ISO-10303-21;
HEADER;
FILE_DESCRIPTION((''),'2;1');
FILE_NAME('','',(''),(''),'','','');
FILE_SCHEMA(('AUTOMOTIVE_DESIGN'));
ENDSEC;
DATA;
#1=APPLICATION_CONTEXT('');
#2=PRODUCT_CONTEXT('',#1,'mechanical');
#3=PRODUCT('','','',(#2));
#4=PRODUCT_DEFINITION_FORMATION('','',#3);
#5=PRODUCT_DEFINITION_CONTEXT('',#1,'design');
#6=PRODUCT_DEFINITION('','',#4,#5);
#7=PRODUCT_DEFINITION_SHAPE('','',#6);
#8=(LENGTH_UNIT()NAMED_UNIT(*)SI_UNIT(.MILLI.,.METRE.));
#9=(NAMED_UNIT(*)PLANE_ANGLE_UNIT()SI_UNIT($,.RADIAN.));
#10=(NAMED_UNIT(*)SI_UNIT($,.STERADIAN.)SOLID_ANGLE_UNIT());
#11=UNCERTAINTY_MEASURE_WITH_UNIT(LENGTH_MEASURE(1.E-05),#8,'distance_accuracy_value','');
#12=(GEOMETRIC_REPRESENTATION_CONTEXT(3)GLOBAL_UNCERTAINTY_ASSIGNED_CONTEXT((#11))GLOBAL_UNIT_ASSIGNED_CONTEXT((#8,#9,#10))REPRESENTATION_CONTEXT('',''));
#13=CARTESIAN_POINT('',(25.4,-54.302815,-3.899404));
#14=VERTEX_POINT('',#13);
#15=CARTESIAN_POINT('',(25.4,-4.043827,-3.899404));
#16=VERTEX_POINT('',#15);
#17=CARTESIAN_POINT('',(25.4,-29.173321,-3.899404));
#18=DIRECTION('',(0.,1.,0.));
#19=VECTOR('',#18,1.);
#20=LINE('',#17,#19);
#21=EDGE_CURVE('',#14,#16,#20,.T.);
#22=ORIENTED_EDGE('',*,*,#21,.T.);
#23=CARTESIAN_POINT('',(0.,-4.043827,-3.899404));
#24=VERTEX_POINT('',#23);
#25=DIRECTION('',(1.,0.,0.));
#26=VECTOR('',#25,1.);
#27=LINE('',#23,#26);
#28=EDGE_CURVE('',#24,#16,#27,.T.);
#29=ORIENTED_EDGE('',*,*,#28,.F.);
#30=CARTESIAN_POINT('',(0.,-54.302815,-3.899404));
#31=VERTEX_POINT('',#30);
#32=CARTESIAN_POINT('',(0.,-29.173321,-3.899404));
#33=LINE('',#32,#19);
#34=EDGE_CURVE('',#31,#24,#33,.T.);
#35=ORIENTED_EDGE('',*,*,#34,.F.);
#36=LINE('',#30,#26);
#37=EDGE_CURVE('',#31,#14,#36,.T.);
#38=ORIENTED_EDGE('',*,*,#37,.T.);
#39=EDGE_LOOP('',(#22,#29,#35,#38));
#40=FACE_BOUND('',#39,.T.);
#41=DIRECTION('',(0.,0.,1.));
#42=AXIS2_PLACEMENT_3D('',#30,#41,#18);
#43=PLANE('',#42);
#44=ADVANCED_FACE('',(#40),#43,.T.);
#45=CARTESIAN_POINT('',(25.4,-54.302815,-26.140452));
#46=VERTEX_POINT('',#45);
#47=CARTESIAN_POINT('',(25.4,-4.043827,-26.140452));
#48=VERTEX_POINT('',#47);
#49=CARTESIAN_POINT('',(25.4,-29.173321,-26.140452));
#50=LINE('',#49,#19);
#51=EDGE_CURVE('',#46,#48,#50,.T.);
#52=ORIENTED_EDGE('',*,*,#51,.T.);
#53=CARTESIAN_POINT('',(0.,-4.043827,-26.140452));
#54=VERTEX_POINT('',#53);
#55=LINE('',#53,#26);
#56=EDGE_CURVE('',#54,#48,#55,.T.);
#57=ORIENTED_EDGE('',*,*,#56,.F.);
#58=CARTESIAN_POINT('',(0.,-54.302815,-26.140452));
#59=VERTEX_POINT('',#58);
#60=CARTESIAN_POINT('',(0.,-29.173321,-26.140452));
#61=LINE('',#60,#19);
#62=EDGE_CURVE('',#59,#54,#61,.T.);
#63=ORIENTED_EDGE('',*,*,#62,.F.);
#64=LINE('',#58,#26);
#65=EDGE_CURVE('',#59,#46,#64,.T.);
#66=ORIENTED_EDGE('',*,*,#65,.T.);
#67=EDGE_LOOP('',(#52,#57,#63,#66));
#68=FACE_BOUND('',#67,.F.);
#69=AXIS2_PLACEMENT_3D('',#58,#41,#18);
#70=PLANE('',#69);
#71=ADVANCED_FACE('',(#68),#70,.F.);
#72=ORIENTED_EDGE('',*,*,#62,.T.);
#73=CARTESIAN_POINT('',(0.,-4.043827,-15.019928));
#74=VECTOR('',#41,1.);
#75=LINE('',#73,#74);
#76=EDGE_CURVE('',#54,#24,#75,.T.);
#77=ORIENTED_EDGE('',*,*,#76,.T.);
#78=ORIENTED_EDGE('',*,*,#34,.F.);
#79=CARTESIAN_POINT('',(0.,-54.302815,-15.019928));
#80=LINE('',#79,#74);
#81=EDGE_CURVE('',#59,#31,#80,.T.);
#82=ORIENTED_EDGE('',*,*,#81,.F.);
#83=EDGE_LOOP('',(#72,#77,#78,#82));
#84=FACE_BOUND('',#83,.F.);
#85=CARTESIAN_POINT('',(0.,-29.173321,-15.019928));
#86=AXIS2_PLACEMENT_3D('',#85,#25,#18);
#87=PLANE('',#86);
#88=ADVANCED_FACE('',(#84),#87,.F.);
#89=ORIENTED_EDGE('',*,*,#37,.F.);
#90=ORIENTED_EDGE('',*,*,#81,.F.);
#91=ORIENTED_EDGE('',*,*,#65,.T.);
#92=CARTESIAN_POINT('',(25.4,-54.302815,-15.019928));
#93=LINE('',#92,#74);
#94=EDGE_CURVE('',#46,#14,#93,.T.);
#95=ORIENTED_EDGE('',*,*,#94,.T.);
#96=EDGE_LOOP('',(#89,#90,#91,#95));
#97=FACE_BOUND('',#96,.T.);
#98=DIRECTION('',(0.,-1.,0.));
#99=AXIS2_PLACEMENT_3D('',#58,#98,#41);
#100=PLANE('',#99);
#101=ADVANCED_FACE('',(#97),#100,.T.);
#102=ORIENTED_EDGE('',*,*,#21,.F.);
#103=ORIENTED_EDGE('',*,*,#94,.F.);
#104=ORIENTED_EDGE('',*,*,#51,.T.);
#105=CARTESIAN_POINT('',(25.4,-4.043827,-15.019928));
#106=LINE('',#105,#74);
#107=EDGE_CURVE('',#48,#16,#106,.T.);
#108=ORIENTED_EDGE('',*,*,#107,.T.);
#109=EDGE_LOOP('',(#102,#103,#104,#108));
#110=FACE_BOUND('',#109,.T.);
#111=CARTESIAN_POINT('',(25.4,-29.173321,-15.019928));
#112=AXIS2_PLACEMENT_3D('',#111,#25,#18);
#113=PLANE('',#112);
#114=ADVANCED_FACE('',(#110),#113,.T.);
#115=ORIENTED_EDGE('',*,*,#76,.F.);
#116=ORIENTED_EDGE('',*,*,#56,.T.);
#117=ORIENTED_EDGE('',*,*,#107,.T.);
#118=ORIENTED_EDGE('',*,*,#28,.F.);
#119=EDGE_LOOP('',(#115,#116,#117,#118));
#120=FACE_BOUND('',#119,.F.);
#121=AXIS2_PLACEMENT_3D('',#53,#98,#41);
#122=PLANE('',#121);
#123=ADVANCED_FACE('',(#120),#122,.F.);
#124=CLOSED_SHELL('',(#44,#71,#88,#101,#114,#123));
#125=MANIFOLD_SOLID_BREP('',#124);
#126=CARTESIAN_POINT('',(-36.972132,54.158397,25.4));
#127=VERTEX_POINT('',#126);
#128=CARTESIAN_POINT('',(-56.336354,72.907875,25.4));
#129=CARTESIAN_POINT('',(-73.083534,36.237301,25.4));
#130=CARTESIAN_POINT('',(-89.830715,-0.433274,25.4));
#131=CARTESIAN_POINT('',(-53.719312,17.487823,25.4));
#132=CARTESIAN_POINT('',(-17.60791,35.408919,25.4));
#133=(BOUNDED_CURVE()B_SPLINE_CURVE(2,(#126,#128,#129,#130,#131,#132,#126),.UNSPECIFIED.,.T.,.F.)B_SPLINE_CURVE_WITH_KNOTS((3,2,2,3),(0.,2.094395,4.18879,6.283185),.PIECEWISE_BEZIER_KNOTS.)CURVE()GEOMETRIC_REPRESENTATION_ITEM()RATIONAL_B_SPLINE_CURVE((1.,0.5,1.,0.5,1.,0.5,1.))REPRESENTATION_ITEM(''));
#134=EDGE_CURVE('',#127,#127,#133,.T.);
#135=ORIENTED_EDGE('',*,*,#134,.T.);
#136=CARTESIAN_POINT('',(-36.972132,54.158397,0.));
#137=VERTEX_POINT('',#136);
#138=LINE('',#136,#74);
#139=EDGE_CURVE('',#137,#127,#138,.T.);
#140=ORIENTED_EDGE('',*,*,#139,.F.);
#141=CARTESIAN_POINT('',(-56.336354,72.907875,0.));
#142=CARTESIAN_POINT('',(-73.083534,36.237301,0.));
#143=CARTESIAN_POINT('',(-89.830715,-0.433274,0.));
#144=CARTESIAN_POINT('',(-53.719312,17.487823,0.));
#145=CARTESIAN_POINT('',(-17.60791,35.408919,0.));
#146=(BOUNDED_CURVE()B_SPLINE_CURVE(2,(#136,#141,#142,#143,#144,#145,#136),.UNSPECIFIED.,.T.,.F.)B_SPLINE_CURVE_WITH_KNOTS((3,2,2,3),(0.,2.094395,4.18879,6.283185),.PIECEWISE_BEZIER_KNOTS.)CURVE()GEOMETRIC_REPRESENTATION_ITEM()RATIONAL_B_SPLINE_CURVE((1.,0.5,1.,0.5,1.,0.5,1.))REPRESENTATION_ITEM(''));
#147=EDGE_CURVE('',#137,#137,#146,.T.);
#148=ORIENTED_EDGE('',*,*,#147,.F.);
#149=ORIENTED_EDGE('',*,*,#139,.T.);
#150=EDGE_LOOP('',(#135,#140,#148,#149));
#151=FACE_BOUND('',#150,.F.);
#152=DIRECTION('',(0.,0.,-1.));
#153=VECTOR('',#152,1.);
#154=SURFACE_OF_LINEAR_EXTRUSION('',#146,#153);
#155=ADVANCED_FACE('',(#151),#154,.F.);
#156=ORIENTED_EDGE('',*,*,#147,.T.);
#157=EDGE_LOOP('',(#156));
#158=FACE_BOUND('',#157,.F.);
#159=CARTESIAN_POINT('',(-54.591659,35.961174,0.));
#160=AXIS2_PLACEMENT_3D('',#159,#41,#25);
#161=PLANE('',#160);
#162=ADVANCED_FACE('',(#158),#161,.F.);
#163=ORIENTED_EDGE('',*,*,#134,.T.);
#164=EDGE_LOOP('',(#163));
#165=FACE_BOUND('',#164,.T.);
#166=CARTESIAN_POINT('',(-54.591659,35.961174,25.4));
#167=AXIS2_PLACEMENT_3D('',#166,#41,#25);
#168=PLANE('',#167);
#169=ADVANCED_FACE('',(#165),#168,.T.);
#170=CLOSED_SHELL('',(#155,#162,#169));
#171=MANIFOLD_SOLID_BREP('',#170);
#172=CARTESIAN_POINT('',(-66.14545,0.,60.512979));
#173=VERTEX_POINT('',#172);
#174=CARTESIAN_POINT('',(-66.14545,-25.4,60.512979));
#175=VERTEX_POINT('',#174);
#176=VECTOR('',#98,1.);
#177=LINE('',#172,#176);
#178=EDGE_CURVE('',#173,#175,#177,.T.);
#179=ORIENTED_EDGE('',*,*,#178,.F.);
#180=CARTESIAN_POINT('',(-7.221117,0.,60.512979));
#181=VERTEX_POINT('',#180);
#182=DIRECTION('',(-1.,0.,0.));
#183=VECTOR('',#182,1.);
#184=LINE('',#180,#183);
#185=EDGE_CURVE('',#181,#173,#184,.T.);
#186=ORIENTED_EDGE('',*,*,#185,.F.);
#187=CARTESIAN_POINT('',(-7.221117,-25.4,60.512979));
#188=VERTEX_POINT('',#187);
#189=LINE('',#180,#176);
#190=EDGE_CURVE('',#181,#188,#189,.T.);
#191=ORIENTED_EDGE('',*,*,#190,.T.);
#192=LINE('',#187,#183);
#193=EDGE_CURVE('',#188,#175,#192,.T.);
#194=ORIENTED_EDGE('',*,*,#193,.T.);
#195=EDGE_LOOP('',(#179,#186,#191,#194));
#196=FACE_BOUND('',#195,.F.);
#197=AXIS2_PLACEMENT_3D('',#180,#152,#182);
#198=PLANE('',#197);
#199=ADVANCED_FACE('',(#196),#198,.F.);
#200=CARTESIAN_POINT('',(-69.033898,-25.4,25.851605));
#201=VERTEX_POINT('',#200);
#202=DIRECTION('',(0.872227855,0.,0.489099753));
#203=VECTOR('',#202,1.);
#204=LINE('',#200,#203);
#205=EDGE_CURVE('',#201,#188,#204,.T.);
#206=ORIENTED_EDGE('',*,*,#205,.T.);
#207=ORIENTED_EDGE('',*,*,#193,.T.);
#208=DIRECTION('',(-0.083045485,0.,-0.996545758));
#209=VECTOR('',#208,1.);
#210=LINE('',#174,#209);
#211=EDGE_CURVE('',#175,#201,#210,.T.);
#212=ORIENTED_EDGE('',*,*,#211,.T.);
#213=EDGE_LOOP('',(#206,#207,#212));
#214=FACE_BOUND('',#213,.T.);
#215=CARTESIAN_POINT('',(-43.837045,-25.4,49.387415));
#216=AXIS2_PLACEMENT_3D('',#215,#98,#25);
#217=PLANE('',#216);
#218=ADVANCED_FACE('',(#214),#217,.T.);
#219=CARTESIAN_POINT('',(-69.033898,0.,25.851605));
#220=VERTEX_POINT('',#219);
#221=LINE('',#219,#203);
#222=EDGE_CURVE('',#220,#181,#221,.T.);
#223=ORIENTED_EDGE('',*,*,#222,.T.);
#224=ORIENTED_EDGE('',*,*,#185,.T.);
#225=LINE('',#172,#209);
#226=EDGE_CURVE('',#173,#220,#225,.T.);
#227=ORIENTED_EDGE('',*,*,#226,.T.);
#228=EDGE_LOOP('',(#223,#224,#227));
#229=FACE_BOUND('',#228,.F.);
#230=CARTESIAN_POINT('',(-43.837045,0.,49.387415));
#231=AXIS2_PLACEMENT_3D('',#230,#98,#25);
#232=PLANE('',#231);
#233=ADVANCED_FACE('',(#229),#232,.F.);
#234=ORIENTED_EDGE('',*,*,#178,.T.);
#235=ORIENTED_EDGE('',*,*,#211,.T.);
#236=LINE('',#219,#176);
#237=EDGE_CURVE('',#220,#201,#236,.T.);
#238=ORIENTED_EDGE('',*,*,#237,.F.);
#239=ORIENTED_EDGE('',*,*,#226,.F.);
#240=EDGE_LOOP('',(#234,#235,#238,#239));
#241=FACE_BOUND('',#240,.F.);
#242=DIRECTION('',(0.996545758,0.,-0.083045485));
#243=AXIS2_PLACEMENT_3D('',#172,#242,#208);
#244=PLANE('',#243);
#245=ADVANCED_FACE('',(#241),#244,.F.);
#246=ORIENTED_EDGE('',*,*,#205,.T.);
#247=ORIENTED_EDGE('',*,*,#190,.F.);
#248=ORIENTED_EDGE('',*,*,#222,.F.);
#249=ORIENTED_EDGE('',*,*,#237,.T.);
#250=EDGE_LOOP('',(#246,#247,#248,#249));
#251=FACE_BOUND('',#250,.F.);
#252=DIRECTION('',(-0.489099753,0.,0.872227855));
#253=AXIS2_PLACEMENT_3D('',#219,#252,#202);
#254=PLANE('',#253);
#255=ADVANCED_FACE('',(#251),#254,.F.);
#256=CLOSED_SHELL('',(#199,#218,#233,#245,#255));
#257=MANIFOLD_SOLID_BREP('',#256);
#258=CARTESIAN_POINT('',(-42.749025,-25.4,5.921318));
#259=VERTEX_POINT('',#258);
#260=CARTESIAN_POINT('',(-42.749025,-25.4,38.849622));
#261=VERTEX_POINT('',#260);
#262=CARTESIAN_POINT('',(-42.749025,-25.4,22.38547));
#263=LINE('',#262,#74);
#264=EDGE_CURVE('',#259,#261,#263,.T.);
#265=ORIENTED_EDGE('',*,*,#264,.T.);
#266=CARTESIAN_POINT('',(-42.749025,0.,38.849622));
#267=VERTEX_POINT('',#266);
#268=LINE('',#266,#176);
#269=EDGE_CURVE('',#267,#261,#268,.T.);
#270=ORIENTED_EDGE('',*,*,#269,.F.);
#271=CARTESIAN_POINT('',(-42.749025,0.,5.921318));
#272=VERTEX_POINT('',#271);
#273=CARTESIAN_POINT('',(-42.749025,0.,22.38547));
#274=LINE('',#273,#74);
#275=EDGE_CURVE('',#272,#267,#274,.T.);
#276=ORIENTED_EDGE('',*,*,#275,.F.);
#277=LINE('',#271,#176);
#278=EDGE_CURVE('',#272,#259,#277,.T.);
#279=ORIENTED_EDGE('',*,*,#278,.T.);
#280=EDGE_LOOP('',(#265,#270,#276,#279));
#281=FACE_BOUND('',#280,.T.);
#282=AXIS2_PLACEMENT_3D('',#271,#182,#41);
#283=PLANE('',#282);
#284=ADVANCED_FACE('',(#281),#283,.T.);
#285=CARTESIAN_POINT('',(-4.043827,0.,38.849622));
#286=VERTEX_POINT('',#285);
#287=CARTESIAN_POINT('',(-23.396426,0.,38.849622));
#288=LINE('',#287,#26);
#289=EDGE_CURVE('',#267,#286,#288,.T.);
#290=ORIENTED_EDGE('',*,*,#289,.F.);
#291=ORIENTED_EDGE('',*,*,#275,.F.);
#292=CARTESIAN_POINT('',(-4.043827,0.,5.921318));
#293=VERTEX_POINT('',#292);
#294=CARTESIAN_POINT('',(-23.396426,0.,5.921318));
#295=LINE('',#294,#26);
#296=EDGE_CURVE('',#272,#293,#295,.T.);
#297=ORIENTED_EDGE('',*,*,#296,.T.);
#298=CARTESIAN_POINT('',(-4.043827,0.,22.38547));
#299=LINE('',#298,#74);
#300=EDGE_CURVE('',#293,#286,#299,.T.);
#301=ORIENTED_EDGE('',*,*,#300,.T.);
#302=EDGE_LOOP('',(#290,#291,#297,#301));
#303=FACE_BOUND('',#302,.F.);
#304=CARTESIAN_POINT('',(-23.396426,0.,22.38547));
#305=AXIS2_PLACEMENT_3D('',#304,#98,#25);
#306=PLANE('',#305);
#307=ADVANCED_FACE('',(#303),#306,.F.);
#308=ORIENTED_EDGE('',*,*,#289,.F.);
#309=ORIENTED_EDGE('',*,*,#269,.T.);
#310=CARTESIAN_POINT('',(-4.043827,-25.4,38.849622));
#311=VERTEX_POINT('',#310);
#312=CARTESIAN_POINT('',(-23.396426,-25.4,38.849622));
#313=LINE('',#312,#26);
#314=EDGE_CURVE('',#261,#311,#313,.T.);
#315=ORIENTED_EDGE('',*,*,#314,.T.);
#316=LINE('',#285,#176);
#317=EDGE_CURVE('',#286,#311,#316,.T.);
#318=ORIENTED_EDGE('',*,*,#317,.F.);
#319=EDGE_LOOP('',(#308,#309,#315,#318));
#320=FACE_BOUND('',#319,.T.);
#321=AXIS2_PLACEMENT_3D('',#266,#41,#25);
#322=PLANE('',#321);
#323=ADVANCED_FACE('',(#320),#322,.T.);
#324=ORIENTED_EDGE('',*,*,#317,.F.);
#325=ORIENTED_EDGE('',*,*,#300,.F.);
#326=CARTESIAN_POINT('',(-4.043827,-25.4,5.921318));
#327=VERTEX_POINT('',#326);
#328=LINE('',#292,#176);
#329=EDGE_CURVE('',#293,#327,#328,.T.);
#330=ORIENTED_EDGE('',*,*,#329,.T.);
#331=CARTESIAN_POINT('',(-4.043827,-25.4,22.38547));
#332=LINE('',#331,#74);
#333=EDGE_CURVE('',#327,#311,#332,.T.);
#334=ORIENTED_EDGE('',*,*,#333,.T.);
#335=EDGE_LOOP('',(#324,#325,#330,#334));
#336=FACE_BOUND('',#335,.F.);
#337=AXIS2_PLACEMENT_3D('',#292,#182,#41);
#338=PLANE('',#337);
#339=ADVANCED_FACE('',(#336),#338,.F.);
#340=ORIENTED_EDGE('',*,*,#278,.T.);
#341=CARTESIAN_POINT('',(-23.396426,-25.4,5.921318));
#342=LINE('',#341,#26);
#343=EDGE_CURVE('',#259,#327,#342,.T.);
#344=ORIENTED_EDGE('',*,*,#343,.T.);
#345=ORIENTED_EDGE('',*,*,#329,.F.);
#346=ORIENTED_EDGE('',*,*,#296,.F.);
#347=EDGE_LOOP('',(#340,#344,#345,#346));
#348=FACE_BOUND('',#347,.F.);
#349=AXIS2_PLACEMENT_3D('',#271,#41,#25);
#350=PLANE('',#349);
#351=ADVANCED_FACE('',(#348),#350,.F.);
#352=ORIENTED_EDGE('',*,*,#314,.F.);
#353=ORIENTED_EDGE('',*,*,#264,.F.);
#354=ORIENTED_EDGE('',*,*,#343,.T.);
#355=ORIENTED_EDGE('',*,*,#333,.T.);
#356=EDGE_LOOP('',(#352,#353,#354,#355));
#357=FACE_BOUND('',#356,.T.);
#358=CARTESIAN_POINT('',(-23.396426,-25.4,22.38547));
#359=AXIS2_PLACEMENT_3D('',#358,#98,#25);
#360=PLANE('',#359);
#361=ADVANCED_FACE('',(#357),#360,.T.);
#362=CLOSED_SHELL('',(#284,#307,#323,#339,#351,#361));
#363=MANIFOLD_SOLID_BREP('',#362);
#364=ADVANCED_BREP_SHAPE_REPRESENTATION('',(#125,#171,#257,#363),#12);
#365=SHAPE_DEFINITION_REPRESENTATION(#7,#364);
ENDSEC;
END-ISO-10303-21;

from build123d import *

# Parameters (mm, degrees)
F0_W     = 38.705198
F0_H     = 32.928304
F2_DEPTH = 25.4
F3_DEPTH = 25.4
F4_W     = 50.258988
F4_H     = 22.241049
F5_DEPTH = 25.4
F7_DEPTH = 25.4


with BuildPart() as f2:
    # F0 (on Front) → F2 (new body)
    with BuildSketch(Plane.XZ):
        with Locations((-23.396426, 22.38547)):
            Rectangle(F0_W, F0_H)
    extrude(amount=F2_DEPTH)


with BuildPart() as f3:
    # F1 (on Front) → F3 (new body)
    with BuildSketch(Plane.XZ):
        Polygon((-66.14545, 60.512979), (-69.033898, 25.851605), (-7.221117, 60.512979), align=None)
    extrude(amount=F3_DEPTH)


with BuildPart() as f5:
    # F4 (on Right) → F5 (new body)
    with BuildSketch(Plane.YZ):
        with Locations((-29.173321, -15.019928)):
            Rectangle(F4_W, F4_H)
    extrude(amount=F5_DEPTH)


with BuildPart() as f7:
    # F6 (on Top) → F7 (new body)
    with BuildSketch(Plane.XY):
        with BuildLine():
            add(Edge.make_bspline(
                [(-36.972132, 54.158397), (-56.336354, 72.907875), (-73.083534, 36.237301), (-89.830715, -0.433274), (-53.719312, 17.487823), (-17.60791, 35.408919), (-36.972132, 54.158397)],
                knots=[0, 0, 0, 2.094395, 2.094395, 4.18879, 4.18879, 6.283185, 6.283185, 6.283185], degree=2, weights=[1, 0.5, 1, 0.5, 1, 0.5, 1]))
        make_face()
    extrude(amount=F7_DEPTH)


solid = Compound([f2.part, f3.part, f5.part, f7.part])
